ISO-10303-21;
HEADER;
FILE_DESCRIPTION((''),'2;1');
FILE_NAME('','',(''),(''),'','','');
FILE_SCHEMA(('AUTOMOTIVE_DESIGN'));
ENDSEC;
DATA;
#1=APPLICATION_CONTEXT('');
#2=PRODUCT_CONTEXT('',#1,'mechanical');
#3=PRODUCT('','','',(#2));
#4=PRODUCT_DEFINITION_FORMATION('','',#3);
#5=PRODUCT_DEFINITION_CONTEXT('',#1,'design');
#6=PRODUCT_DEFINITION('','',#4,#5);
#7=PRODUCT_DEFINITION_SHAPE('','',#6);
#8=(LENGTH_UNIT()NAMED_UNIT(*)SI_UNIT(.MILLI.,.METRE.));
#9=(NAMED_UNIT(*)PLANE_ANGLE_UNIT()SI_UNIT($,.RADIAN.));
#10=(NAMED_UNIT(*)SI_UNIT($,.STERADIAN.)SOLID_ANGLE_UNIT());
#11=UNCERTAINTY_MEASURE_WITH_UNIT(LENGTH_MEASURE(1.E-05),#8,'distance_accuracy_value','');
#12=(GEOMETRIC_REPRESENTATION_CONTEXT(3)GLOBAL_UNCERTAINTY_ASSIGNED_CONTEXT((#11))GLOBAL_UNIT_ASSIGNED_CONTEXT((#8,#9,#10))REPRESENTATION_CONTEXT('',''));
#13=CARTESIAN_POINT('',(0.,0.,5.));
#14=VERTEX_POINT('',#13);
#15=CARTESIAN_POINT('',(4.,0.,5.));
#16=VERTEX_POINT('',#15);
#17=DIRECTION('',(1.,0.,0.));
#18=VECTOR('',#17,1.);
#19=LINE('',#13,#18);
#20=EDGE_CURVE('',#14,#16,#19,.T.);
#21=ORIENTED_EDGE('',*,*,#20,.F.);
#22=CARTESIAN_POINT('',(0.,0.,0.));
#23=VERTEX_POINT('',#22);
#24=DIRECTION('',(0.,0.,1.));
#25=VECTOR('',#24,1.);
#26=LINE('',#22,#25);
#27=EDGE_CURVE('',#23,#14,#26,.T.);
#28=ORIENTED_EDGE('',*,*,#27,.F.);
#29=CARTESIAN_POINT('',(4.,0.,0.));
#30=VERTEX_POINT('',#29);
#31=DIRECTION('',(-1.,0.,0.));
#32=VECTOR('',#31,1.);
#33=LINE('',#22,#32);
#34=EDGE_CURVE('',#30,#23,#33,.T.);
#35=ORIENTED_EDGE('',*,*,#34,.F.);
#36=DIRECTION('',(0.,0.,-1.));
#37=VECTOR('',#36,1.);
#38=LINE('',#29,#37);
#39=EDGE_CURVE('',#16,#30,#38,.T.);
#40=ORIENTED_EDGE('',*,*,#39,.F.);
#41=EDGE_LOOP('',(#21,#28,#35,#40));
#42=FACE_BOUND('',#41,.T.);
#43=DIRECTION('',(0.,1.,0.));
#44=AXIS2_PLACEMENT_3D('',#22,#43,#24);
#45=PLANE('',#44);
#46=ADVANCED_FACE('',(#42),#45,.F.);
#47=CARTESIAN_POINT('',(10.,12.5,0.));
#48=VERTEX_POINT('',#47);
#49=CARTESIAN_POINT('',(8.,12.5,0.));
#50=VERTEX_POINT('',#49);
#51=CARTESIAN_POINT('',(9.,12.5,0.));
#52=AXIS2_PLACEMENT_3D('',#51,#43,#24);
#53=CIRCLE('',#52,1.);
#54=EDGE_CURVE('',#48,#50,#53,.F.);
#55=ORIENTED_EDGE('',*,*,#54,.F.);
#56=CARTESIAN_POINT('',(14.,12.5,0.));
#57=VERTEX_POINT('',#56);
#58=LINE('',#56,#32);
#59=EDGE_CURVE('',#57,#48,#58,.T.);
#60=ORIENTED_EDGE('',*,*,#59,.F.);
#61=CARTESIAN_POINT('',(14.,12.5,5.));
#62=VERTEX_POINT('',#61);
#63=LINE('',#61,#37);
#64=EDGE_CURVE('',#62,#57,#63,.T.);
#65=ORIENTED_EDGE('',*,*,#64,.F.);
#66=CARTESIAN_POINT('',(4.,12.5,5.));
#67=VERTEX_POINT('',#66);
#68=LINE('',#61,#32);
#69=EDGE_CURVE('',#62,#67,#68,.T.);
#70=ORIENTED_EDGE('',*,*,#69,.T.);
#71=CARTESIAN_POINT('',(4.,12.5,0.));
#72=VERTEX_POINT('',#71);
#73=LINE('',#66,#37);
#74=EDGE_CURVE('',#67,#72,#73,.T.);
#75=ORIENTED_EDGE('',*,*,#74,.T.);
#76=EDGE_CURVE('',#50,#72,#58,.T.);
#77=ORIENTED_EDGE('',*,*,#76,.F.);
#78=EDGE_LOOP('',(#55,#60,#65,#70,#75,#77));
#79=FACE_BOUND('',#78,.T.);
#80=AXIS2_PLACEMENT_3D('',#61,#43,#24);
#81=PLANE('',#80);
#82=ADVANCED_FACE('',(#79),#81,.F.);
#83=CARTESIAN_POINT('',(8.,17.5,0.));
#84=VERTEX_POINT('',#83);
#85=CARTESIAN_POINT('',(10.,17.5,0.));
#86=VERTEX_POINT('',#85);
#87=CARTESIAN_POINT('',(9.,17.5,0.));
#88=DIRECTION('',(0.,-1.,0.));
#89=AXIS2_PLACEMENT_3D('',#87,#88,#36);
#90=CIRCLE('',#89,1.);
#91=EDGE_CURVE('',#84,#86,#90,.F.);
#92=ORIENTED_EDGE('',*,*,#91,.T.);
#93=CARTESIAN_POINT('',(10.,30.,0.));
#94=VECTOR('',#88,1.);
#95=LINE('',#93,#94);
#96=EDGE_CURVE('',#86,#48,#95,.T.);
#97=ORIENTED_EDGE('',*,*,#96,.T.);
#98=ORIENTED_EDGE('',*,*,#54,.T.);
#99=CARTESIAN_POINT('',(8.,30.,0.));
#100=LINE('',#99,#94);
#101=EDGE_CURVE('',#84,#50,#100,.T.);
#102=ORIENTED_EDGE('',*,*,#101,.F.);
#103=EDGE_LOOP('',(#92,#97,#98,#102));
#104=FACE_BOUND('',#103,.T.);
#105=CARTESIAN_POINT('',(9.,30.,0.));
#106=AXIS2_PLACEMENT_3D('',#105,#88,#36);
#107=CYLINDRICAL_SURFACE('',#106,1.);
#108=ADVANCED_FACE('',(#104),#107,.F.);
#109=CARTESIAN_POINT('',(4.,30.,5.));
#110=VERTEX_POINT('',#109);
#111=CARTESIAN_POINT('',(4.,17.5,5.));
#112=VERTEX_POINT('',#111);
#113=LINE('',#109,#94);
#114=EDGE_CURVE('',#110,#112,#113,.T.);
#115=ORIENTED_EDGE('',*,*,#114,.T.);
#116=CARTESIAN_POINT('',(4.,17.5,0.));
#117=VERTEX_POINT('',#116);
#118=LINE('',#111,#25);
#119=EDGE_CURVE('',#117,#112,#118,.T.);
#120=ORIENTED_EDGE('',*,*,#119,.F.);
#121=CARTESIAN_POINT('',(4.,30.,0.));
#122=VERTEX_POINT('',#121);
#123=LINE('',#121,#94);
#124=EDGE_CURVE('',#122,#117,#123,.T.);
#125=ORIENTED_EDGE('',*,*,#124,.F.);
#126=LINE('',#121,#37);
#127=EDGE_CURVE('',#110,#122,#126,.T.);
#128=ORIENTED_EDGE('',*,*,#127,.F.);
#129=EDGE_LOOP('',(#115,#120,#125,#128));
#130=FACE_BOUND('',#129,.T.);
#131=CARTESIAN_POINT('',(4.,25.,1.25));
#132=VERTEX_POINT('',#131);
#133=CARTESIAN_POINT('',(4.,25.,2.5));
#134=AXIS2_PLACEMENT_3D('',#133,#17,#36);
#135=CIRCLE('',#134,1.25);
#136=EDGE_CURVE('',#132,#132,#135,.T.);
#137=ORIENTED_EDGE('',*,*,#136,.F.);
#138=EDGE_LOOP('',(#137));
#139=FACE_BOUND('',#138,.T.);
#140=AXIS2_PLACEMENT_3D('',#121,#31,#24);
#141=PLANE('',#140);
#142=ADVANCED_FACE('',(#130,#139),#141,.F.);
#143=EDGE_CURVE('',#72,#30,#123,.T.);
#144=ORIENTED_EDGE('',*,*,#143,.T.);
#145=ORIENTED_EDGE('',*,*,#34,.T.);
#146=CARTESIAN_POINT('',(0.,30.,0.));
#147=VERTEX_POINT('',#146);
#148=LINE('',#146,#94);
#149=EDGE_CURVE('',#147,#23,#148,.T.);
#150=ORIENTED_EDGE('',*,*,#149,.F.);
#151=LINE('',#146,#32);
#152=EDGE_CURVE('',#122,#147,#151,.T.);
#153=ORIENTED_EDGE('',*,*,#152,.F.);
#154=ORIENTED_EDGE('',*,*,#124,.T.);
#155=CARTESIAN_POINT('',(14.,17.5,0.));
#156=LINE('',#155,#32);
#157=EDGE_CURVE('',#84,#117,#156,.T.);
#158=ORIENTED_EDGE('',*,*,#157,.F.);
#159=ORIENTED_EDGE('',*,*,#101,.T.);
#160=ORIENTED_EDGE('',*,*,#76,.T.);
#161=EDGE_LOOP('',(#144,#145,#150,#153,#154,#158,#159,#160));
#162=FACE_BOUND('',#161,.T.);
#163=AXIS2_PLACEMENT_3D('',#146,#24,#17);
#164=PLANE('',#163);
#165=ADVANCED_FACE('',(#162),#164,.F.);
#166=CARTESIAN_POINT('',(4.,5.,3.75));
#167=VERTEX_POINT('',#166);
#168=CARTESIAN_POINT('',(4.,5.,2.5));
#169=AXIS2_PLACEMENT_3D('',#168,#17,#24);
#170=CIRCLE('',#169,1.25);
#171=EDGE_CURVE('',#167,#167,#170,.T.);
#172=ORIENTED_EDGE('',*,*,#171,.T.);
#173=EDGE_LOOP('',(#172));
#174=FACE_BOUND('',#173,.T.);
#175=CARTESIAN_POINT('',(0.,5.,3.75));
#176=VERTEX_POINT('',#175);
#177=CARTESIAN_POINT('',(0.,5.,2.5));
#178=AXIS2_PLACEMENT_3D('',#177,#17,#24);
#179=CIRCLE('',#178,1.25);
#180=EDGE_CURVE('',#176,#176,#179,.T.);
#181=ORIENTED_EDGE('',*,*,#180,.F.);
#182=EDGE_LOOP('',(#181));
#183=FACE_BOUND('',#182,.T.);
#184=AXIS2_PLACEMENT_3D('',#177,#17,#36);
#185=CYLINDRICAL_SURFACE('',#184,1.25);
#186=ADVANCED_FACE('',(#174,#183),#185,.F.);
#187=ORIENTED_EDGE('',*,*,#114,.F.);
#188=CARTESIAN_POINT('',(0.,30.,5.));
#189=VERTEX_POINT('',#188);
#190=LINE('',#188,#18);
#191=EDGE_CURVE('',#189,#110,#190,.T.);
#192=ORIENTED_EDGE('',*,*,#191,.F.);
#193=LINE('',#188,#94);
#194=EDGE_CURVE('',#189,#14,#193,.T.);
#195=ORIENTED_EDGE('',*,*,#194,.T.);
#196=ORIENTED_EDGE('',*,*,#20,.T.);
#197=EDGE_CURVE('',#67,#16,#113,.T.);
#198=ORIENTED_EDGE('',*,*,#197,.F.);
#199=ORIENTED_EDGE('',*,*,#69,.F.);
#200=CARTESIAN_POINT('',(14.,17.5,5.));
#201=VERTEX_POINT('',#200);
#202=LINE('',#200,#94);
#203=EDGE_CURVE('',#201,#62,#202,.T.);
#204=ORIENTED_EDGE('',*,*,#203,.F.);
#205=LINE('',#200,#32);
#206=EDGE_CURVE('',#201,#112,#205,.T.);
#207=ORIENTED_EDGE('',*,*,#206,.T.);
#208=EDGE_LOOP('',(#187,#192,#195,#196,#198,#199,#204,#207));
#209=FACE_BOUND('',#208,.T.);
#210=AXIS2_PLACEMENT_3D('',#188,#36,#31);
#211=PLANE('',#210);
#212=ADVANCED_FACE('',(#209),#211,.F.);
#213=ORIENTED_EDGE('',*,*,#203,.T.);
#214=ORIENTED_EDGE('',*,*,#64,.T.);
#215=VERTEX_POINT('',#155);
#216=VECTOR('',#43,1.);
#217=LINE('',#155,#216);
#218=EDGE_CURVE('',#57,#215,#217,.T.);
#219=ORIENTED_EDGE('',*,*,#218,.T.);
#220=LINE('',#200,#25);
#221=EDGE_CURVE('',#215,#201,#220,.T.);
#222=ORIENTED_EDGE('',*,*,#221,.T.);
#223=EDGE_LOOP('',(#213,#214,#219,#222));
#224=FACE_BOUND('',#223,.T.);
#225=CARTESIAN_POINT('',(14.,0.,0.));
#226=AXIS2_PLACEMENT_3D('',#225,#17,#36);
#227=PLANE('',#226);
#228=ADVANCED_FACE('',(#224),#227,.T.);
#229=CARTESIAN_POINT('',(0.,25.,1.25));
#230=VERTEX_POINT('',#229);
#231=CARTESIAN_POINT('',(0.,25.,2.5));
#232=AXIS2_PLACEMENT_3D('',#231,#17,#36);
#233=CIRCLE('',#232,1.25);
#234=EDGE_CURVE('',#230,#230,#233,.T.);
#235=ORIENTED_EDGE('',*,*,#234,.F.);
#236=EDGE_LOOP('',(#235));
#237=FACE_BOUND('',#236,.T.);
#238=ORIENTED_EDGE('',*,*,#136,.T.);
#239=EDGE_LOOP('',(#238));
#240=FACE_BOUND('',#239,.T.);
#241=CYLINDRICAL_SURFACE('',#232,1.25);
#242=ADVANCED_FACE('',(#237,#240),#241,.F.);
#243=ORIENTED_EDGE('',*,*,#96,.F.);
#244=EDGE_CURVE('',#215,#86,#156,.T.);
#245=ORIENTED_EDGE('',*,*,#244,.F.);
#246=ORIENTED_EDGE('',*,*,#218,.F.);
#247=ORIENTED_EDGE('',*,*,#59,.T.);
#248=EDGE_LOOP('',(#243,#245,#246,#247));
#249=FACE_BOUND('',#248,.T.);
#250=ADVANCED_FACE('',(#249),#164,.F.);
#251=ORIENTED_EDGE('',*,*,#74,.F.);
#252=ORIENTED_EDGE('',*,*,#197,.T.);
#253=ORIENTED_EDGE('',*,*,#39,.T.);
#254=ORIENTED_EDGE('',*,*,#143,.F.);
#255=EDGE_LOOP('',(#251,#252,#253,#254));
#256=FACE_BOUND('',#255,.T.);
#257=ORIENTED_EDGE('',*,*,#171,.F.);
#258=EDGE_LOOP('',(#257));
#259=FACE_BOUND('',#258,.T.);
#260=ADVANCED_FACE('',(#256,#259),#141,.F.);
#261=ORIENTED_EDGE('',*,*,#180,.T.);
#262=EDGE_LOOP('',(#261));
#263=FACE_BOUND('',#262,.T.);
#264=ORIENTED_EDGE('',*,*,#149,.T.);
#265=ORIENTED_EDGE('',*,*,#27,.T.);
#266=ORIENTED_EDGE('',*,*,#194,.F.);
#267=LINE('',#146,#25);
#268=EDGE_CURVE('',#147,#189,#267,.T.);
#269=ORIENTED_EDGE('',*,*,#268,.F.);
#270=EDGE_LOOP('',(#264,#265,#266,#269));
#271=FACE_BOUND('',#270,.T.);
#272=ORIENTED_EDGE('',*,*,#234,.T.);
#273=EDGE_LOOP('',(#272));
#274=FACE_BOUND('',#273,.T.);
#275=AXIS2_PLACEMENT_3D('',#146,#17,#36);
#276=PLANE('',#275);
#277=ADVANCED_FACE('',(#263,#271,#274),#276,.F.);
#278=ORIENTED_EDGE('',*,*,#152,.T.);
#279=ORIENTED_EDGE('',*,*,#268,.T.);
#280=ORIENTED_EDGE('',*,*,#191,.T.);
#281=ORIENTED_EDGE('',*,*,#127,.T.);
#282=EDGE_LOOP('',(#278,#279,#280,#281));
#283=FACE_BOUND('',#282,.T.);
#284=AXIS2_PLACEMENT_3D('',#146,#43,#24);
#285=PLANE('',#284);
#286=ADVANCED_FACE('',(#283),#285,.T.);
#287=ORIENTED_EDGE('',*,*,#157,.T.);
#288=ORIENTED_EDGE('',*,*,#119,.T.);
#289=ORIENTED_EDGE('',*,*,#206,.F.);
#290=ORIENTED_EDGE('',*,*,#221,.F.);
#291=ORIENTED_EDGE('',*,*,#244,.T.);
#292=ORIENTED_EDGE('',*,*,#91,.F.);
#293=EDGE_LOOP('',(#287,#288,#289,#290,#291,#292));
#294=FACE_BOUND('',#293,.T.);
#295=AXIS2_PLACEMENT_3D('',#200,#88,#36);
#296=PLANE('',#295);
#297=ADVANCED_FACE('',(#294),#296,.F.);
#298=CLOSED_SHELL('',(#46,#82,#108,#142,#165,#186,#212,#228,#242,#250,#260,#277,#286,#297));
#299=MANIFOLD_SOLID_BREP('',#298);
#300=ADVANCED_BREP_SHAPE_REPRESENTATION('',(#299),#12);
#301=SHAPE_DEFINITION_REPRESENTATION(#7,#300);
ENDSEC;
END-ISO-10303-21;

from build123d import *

# Parameters (mm, degrees)
SKETCH1_W           = 4
SKETCH1_H           = 5
BOSS_EXTRUDE1_DEPTH = 30
SKETCH2_W           = 5
SKETCH2_H           = 5
BOSS_EXTRUDE2_DEPTH = 10
SKETCH3_R           = 1.25
CUT_EXTRUDE1_DEPTH  = 33.015621187
CUT_EXTRUDE2_DEPTH  = 34.481338086


with BuildPart() as part:
    # Sketch1 → Boss-Extrude1 (new body)
    with BuildSketch(Plane(origin=(0, 0, 0), x_dir=(1, 0, 0), z_dir=(0, 1, 0))):
        with Locations((2, -2.5)):
            Rectangle(SKETCH1_W, SKETCH1_H)
    extrude(amount=BOSS_EXTRUDE1_DEPTH)

    # Sketch2 → Boss-Extrude2 (add)
    with BuildSketch(Plane(origin=(4, 0, 0), x_dir=(0, 0, -1), z_dir=(1, 0, 0))):
        with Locations((-2.5, 15)):
            Rectangle(SKETCH2_W, SKETCH2_H)
    extrude(amount=BOSS_EXTRUDE2_DEPTH)

    # Sketch3 → Cut-Extrude1 (cut, through all)
    with BuildSketch(Plane(origin=(4, 0, 0), x_dir=(0, 0, -1), z_dir=(1, 0, 0))):
        with Locations((-2.5, 25)):
            Circle(SKETCH3_R)
        with Locations(Location((-2.5, 5, 0), (0, 0, 180))):
            Circle(SKETCH3_R)
    extrude(amount=-CUT_EXTRUDE1_DEPTH, mode=Mode.SUBTRACT)

    # Sketch4 → Cut-Extrude2 (cut, through all)
    with BuildSketch(Plane(origin=(0, 0, 0), x_dir=(1, 0, 0), z_dir=(0, 1, 0))):
        with BuildLine():
            Line((8, 0), (10, 0))
            ThreePointArc((10, 0), (9, -1), (8, 0))
        make_face()
    extrude(amount=CUT_EXTRUDE2_DEPTH, mode=Mode.SUBTRACT)


solid = part.part
